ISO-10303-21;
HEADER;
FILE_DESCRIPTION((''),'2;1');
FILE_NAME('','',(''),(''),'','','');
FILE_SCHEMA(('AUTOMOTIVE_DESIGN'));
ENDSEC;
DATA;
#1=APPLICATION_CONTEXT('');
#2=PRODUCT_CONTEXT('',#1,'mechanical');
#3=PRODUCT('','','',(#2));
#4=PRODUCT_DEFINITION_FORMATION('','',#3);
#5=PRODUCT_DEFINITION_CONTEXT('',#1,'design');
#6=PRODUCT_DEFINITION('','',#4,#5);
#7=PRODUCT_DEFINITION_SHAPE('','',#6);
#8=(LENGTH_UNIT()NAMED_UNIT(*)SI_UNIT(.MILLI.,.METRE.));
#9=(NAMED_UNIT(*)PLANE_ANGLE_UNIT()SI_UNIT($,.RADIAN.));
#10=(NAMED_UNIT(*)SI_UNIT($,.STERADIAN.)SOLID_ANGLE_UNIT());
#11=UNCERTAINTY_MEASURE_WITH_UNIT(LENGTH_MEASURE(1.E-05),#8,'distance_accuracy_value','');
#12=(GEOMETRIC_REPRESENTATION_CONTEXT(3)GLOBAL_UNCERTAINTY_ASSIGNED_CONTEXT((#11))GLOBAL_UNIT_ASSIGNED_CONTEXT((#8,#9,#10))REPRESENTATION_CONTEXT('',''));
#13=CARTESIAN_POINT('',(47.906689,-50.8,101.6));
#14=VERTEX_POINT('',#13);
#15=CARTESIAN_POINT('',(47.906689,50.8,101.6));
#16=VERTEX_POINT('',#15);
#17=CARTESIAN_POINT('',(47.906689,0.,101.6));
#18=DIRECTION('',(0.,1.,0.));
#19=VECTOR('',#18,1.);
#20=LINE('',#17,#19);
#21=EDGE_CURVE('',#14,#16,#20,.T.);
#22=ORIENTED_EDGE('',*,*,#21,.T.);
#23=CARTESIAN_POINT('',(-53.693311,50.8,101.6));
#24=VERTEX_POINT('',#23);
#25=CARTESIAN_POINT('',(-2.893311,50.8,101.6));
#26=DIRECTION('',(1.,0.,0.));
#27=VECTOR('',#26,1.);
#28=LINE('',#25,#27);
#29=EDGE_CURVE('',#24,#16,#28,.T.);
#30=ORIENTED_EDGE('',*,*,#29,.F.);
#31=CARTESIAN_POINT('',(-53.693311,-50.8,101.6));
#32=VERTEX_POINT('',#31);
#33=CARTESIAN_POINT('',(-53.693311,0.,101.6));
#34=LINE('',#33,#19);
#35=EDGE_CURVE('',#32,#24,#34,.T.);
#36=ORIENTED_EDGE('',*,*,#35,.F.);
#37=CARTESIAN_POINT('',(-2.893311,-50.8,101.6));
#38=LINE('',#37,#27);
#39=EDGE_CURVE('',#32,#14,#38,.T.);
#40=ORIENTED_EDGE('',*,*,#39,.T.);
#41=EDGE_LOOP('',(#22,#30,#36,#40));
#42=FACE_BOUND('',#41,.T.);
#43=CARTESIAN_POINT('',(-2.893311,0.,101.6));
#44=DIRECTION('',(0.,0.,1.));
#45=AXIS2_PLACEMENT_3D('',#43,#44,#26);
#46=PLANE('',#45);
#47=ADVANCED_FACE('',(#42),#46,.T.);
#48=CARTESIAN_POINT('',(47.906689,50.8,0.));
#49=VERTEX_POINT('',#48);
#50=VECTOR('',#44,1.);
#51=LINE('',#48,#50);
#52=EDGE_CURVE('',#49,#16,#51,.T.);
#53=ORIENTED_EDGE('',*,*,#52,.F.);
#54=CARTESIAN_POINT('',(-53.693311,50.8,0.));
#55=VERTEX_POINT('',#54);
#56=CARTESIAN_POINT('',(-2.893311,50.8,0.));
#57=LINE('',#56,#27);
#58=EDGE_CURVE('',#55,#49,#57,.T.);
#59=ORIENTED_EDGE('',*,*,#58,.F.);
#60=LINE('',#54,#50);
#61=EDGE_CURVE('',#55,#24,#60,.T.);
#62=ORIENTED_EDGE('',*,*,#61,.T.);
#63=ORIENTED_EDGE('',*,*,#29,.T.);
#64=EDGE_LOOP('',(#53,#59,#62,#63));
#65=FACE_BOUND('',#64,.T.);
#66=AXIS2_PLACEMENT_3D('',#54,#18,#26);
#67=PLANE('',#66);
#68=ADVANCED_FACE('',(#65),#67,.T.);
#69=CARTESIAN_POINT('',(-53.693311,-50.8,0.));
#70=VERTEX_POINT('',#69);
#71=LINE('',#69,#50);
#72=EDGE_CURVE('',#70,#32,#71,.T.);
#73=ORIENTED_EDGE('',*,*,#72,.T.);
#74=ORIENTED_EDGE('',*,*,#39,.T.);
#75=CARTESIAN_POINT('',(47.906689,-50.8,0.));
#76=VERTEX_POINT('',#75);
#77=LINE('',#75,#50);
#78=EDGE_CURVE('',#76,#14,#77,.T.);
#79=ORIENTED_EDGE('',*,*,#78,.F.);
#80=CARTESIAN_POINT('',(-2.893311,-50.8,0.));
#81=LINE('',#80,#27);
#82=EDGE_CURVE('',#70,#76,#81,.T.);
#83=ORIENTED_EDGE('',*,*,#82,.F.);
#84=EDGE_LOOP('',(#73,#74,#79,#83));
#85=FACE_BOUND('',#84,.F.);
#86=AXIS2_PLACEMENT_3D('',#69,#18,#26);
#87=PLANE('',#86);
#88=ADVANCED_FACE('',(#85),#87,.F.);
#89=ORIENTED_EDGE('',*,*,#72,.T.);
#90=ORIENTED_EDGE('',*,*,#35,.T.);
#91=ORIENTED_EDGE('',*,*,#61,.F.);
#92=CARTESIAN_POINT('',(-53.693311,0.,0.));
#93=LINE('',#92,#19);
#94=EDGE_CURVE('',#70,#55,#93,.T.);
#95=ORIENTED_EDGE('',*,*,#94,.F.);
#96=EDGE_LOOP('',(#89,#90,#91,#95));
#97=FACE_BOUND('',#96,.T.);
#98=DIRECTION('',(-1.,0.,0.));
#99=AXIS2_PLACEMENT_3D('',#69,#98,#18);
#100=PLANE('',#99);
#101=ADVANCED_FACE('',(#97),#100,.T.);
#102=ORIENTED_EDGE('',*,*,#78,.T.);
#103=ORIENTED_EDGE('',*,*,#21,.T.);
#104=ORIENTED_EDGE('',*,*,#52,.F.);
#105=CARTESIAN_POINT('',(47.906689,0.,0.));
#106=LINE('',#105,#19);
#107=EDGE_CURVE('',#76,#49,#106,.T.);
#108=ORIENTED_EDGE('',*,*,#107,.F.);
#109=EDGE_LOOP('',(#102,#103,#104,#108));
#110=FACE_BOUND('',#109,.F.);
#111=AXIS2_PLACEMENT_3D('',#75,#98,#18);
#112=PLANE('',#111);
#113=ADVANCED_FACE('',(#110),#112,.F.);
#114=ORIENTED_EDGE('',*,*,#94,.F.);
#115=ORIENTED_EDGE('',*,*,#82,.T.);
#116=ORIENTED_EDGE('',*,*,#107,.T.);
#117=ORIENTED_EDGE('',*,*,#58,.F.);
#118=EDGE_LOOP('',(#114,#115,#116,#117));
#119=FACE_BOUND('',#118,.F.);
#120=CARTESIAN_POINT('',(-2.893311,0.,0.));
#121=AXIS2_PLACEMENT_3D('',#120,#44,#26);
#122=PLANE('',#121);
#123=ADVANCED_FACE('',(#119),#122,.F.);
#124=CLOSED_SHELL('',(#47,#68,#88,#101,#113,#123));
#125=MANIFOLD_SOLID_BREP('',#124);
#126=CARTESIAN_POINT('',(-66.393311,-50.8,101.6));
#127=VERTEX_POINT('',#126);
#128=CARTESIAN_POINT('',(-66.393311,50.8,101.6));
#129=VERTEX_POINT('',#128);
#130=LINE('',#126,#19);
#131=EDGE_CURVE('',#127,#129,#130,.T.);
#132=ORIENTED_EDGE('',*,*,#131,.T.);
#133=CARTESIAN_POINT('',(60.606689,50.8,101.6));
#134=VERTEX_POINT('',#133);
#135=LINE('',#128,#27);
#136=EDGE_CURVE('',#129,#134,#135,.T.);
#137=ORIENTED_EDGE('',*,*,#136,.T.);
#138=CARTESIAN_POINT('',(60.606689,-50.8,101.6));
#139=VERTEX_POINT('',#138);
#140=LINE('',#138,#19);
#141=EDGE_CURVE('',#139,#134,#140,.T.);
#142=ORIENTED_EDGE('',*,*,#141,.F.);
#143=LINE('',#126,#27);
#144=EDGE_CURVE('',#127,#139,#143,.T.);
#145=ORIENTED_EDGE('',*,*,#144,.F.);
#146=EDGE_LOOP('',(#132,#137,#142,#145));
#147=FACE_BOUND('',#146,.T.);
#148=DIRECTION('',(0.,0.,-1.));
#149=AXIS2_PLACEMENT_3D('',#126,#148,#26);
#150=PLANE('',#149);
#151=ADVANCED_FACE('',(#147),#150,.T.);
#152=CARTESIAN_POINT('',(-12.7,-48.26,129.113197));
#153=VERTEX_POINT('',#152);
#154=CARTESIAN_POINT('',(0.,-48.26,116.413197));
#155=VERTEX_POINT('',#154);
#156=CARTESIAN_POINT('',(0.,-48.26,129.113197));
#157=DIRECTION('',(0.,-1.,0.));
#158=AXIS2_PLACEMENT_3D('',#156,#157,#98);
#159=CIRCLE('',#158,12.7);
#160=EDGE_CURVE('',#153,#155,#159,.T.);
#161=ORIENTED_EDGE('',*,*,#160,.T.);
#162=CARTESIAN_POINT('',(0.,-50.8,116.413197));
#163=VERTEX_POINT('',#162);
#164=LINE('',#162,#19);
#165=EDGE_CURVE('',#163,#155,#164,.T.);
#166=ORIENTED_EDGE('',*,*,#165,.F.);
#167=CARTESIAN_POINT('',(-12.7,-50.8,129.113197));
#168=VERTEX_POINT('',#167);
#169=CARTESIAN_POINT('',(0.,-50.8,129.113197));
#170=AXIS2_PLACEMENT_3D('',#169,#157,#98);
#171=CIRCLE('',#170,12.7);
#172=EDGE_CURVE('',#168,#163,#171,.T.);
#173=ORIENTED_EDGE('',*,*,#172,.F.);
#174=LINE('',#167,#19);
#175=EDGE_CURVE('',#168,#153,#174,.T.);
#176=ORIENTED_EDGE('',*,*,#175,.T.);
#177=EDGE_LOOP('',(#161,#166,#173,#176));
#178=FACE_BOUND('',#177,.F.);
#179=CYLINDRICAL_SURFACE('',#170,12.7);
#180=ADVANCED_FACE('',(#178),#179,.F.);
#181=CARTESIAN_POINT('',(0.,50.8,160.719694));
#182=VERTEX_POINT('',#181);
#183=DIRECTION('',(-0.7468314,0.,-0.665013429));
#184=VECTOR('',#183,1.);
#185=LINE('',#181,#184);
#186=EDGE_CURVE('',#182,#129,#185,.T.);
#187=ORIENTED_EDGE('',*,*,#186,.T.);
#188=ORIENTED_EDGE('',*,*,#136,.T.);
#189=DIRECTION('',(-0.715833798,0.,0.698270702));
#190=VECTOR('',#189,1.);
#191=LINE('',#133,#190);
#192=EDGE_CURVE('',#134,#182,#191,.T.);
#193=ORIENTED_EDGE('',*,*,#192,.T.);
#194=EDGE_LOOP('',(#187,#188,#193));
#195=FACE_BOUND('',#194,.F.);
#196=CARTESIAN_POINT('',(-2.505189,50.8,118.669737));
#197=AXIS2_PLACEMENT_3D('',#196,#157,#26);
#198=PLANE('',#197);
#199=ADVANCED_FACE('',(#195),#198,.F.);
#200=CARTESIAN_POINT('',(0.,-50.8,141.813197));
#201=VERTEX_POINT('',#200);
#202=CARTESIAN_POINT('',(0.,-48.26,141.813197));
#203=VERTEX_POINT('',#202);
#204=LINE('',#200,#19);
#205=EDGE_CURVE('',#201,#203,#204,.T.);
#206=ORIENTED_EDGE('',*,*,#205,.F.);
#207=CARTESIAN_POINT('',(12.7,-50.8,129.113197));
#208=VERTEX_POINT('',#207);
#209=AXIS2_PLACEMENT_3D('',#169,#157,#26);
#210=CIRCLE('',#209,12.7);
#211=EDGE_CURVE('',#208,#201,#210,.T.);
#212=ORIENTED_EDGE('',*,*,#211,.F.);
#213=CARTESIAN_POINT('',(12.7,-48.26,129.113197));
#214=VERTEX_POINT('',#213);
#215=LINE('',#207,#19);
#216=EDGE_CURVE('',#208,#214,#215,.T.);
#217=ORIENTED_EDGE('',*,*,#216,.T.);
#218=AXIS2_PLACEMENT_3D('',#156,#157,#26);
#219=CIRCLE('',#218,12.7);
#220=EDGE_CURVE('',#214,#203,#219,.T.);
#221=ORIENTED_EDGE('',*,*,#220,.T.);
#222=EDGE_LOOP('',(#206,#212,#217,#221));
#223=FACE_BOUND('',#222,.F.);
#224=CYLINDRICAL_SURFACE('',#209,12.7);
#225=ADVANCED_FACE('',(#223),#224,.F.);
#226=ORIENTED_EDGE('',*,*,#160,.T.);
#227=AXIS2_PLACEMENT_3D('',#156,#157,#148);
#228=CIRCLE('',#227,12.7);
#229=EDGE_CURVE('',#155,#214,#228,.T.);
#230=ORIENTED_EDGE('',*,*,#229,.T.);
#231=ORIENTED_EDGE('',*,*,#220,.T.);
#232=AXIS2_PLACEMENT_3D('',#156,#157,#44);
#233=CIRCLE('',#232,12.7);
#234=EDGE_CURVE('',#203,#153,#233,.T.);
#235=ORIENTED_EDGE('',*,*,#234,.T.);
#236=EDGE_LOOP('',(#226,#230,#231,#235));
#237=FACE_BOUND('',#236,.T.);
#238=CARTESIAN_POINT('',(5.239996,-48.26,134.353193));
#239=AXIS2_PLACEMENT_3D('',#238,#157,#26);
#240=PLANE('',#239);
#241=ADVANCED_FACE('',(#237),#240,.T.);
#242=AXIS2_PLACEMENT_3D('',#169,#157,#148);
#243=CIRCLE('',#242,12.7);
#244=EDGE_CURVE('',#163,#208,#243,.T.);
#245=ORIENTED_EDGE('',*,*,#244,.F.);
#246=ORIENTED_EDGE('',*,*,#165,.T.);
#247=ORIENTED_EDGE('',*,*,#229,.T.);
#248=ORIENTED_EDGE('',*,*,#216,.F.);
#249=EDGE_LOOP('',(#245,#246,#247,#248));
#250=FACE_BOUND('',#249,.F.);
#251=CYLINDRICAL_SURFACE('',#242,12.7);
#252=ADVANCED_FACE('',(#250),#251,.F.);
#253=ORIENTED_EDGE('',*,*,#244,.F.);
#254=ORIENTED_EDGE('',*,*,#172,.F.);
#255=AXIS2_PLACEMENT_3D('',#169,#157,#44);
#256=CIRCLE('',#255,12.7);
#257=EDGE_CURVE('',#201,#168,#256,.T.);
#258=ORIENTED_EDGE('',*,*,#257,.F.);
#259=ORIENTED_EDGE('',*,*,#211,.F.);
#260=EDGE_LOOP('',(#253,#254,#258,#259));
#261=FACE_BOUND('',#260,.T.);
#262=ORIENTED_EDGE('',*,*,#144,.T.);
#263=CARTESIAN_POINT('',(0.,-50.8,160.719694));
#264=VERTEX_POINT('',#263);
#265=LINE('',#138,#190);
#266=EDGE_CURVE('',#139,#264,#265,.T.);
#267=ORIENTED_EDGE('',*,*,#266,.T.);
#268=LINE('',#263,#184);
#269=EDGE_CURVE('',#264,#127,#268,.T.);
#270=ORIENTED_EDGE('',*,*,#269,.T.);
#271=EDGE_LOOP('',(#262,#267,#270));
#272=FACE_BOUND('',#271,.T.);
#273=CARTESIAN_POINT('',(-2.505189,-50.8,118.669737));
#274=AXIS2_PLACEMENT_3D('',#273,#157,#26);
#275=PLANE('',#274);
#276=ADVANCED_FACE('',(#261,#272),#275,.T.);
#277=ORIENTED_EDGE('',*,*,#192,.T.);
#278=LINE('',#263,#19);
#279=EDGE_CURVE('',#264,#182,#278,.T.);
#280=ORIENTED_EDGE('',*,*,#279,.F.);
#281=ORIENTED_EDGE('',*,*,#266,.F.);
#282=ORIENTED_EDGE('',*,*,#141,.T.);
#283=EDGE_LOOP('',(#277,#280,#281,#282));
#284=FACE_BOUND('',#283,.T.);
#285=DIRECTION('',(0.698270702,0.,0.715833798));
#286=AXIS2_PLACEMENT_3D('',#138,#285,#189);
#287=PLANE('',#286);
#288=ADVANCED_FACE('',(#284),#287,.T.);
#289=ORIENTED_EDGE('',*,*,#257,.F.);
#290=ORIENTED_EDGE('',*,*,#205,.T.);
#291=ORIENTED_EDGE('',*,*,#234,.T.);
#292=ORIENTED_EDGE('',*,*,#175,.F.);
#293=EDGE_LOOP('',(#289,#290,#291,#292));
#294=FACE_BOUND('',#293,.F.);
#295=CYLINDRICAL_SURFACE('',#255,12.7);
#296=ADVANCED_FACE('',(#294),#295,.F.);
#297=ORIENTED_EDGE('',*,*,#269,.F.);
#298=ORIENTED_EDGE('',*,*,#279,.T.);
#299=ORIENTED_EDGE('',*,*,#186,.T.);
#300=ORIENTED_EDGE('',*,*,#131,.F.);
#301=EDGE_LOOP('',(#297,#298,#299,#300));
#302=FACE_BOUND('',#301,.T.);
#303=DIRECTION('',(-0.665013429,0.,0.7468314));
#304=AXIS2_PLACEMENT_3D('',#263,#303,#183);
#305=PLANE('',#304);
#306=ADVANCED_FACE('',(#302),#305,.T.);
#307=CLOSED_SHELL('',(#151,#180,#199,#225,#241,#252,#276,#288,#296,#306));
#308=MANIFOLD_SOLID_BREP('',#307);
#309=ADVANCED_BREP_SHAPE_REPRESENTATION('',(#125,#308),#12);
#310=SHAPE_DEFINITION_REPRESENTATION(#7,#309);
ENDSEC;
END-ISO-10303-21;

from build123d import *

# Parameters (mm, degrees)
F0_W     = 101.6
F0_H     = 101.6
F1_DEPTH = 101.6
F3_DEPTH = 101.6
F7_DEPTH = 2.54


with BuildPart() as f1:
    # F0 (on Top) → F1 (new body)
    with BuildSketch(Plane.XY):
        with Locations((-2.8933114175, 0)):
            Rectangle(F0_W, F0_H)
    extrude(amount=F1_DEPTH)


with BuildPart() as f3:
    # F2 (on face) → F3 (new body)
    with BuildSketch(Plane.XZ.offset(50.8)):
        Polygon((0, 186.119693834), (-66.3933114175, 127), (60.6066885825, 127), align=None)
    extrude(amount=-F3_DEPTH)


with BuildPart() as f3_1:
    # F4: moved
    add(f3.part.moved(Location((0, 0, -25.4))))

    # F6 (on face) → F7 (cut)
    with BuildSketch(Plane.XZ.offset(50.8)):
        with BuildLine():
            Line((0, 141.8131968484), (0, 129.1131968484))
            Line((0, 129.1131968484), (12.7, 129.1131968484))
            ThreePointArc((12.7, 129.1131968484), (8.9802561211, 138.0934529694), (0, 141.8131968484))
        make_face()
        with BuildLine():
            Line((-12.7, 129.1131968484), (0, 129.1131968484))
            Line((0, 129.1131968484), (0, 141.8131968484))
            ThreePointArc((0, 141.8131968484), (-8.9802561211, 138.0934529694), (-12.7, 129.1131968484))
        make_face()
        with BuildLine():
            Line((0, 116.4131968484), (0, 129.1131968484))
            Line((0, 129.1131968484), (-12.7, 129.1131968484))
            ThreePointArc((-12.7, 129.1131968484), (-8.9802561211, 120.1329407273), (0, 116.4131968484))
        make_face()
        with BuildLine():
            Line((12.7, 129.1131968484), (0, 129.1131968484))
            Line((0, 129.1131968484), (0, 116.4131968484))
            ThreePointArc((0, 116.4131968484), (8.9802561211, 120.1329407273), (12.7, 129.1131968484))
        make_face()
    extrude(amount=-F7_DEPTH, mode=Mode.SUBTRACT)


solid = Compound([f1.part, f3_1.part])
